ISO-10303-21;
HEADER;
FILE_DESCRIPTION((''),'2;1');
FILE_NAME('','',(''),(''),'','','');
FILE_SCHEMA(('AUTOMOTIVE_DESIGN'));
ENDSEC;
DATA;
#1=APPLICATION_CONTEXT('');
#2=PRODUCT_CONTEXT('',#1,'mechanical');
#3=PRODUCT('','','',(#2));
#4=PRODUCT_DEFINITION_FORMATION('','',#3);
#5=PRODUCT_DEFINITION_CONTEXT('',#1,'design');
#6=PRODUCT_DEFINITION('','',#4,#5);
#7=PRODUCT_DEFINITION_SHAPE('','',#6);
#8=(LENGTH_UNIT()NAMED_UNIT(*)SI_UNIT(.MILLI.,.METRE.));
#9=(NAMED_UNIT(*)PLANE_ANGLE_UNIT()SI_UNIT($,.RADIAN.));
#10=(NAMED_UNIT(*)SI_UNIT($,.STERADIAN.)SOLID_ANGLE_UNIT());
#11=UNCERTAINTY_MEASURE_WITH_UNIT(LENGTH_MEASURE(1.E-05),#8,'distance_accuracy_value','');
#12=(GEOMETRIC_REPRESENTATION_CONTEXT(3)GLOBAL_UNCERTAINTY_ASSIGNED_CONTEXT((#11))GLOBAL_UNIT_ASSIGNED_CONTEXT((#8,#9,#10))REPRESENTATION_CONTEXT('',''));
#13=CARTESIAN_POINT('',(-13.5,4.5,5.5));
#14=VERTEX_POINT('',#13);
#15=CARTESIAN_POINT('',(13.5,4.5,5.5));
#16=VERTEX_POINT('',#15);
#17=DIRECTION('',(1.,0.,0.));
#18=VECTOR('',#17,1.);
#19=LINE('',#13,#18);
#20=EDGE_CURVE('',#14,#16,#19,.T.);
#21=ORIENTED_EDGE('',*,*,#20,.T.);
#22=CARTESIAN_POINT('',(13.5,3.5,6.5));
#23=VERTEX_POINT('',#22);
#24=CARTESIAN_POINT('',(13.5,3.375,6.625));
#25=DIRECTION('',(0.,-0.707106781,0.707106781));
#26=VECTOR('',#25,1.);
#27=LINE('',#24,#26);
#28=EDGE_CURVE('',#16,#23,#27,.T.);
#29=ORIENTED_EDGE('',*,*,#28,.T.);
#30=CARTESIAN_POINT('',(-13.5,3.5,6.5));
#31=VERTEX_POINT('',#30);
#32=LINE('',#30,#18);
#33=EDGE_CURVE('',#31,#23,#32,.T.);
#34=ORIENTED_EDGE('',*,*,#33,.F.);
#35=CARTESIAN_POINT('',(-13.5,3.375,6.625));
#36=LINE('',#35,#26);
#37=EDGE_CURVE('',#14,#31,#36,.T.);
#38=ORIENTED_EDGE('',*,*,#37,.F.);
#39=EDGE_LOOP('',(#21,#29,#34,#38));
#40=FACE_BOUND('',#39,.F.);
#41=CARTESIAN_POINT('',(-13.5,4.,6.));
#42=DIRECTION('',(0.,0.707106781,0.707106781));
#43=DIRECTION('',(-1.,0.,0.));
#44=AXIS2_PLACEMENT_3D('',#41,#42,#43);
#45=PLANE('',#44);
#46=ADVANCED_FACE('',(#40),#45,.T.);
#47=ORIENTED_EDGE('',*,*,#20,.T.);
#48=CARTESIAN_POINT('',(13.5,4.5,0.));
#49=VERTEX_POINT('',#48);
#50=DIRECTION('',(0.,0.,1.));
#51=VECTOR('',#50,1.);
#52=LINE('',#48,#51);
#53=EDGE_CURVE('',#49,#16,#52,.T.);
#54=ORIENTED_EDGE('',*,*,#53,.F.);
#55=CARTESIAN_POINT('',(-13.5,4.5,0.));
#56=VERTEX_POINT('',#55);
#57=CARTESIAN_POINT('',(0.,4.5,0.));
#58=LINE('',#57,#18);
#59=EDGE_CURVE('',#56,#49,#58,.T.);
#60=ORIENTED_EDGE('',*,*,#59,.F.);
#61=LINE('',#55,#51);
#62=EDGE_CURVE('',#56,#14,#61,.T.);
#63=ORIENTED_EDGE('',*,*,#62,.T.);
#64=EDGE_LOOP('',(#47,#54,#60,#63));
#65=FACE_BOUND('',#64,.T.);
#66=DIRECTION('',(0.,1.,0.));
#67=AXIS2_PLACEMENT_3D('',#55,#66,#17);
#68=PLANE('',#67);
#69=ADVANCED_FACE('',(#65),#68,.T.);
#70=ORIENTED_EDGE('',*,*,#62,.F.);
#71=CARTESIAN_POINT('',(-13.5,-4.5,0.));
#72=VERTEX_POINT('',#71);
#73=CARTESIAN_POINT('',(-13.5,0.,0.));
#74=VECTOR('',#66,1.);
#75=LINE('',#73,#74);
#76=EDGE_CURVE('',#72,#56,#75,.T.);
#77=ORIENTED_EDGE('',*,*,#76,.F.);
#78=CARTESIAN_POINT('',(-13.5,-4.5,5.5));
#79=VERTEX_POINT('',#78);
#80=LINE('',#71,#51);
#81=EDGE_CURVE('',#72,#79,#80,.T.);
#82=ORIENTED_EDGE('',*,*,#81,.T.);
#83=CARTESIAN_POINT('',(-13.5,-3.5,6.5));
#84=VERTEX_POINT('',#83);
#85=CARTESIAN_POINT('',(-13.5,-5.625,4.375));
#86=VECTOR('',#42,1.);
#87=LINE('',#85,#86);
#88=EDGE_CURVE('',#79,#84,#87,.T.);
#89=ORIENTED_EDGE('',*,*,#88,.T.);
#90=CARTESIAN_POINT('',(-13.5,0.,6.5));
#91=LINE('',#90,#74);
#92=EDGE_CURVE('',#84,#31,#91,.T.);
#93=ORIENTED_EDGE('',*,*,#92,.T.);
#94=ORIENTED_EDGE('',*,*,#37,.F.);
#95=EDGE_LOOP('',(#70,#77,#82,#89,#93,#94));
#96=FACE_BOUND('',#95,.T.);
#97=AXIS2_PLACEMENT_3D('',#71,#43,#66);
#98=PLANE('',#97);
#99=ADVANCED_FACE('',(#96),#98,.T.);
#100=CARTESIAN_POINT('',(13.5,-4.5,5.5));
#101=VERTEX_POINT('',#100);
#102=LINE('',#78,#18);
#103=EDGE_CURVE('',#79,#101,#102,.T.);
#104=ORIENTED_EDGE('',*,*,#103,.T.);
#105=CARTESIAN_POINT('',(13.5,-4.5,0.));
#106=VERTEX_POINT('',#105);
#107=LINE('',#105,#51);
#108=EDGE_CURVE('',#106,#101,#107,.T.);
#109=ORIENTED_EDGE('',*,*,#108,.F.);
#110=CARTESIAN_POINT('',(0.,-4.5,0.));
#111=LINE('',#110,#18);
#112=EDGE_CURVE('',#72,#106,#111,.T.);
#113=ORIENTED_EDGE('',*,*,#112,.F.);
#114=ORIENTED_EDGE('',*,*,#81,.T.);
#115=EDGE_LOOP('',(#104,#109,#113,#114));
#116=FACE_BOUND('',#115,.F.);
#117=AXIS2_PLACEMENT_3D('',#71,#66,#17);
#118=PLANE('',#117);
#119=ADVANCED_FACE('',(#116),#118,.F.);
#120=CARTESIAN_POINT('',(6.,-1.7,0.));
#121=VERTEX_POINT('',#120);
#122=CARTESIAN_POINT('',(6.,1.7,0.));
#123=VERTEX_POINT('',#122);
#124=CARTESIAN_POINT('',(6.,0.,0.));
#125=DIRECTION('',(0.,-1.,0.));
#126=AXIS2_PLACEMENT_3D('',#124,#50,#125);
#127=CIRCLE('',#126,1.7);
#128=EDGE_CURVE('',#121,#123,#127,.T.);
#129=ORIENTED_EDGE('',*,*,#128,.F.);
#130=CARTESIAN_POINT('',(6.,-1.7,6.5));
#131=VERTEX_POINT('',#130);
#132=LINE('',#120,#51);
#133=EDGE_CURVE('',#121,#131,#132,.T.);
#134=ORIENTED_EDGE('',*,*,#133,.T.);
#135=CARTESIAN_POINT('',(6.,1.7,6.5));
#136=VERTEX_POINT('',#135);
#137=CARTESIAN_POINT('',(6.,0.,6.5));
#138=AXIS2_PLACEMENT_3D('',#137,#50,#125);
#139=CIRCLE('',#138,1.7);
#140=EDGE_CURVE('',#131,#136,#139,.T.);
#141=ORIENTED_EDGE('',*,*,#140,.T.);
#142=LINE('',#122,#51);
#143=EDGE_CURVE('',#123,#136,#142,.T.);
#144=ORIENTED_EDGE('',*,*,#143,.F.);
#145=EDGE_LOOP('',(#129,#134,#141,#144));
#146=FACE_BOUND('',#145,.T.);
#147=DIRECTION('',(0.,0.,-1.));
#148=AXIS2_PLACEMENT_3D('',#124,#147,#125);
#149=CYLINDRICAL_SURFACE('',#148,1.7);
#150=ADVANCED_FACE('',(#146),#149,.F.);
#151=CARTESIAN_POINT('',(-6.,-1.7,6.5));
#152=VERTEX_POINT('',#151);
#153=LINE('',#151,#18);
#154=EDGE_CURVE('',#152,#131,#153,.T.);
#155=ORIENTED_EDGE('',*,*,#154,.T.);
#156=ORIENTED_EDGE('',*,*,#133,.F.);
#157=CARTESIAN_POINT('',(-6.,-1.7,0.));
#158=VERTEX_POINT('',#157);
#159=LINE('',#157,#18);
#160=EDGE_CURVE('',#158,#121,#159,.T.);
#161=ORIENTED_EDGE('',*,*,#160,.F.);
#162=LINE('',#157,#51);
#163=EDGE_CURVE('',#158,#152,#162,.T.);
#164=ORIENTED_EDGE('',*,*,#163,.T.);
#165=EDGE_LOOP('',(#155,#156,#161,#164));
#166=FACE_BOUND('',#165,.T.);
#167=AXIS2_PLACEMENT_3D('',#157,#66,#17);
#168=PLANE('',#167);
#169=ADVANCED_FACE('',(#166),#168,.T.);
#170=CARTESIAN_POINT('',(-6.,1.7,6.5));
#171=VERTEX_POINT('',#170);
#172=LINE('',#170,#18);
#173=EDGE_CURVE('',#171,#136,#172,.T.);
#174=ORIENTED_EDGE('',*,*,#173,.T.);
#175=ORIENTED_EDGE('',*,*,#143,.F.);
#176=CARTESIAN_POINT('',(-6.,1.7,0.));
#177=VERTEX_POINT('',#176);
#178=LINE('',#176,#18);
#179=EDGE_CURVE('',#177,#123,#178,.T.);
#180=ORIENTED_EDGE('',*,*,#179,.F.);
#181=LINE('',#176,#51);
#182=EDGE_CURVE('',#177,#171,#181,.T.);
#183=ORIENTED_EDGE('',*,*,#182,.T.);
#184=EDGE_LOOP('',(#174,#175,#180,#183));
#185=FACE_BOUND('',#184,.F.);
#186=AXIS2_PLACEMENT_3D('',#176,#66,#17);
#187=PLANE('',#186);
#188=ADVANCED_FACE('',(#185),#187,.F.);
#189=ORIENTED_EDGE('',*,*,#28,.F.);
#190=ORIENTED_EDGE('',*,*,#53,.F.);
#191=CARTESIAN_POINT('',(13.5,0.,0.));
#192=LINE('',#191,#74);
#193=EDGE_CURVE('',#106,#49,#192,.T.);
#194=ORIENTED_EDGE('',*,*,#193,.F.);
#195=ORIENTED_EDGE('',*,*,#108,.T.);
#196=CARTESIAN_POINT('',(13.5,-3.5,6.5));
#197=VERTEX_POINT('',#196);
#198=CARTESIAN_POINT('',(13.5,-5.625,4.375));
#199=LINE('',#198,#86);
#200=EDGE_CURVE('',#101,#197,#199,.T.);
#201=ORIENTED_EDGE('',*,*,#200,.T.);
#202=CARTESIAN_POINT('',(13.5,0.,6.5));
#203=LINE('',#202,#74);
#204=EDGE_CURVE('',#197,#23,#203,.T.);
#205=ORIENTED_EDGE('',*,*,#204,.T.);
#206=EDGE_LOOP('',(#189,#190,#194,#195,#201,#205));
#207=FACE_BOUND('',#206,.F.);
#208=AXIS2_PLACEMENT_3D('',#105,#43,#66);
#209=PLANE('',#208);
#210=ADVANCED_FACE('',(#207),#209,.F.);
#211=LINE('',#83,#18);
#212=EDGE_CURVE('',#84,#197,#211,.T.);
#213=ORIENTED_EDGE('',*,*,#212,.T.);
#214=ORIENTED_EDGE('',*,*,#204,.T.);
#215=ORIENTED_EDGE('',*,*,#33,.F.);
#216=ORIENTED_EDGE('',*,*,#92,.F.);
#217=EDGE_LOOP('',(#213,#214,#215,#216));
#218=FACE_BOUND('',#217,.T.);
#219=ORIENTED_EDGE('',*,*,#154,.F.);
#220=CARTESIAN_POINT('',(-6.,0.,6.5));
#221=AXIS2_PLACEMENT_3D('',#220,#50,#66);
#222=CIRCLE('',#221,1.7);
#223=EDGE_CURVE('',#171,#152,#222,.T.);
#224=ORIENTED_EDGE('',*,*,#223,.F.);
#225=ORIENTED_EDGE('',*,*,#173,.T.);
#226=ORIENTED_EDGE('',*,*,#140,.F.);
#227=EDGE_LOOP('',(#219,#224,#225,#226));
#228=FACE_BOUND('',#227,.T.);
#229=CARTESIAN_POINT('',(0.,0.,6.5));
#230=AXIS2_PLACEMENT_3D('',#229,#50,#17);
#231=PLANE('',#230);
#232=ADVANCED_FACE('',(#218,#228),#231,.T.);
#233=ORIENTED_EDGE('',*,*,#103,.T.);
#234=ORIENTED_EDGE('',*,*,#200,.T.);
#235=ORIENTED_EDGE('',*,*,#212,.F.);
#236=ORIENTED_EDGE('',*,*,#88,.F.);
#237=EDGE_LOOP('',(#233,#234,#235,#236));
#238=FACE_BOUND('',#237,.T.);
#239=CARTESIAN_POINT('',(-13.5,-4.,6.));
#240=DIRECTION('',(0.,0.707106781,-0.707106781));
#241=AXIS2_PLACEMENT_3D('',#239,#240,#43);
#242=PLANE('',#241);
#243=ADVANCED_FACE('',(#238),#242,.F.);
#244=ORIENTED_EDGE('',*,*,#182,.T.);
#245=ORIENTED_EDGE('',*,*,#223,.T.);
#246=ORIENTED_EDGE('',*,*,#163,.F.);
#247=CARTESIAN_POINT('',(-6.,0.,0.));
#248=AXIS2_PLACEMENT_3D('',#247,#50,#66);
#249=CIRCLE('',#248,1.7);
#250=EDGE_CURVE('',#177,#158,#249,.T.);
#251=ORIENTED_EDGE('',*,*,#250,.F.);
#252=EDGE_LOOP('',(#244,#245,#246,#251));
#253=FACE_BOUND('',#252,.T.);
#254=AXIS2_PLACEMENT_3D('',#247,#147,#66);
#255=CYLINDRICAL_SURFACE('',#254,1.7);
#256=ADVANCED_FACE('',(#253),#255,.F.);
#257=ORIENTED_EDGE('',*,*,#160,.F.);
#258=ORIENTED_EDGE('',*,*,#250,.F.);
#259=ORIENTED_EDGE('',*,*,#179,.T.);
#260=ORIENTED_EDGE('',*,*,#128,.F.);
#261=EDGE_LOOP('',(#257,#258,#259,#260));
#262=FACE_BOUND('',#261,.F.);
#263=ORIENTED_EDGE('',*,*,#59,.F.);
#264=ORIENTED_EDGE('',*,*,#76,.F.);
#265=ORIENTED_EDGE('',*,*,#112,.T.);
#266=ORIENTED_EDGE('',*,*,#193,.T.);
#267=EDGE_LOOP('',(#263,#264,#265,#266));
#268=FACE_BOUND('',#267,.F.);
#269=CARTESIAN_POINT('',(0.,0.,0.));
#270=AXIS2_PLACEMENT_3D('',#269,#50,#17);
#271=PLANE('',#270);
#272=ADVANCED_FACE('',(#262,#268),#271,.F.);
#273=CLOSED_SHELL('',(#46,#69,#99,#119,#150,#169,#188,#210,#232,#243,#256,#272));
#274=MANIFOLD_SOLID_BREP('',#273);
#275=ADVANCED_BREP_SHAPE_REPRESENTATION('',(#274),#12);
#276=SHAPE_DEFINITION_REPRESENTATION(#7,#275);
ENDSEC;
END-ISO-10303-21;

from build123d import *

# Parameters (mm, degrees)
SKETCH_W     = 27
SKETCH_H     = 9
PAD_DEPTH    = 6.5
CHAMFER_SIZE = 1


with BuildPart() as part:
    # Sketch → Pad (new body)
    with BuildSketch(Plane.XY):
        Rectangle(SKETCH_W, SKETCH_H)
        with BuildLine():
            ThreePointArc((-6, 1.7), (-7.7, 0), (-6, -1.7))
            Line((-6, -1.7), (6, -1.7))
            ThreePointArc((6, -1.7), (7.7, 0), (6, 1.7))
            Line((-6, 1.7), (6, 1.7))
        make_face(mode=Mode.SUBTRACT)
    extrude(amount=PAD_DEPTH)

    # Chamfer
    chamfer_edges = [part.edges().sort_by_distance(p)[0] for p in [
        (0, -4.5, 6.5),
        (0, 4.5, 6.5),
    ]]
    chamfer(chamfer_edges, length=CHAMFER_SIZE)


solid = part.part
